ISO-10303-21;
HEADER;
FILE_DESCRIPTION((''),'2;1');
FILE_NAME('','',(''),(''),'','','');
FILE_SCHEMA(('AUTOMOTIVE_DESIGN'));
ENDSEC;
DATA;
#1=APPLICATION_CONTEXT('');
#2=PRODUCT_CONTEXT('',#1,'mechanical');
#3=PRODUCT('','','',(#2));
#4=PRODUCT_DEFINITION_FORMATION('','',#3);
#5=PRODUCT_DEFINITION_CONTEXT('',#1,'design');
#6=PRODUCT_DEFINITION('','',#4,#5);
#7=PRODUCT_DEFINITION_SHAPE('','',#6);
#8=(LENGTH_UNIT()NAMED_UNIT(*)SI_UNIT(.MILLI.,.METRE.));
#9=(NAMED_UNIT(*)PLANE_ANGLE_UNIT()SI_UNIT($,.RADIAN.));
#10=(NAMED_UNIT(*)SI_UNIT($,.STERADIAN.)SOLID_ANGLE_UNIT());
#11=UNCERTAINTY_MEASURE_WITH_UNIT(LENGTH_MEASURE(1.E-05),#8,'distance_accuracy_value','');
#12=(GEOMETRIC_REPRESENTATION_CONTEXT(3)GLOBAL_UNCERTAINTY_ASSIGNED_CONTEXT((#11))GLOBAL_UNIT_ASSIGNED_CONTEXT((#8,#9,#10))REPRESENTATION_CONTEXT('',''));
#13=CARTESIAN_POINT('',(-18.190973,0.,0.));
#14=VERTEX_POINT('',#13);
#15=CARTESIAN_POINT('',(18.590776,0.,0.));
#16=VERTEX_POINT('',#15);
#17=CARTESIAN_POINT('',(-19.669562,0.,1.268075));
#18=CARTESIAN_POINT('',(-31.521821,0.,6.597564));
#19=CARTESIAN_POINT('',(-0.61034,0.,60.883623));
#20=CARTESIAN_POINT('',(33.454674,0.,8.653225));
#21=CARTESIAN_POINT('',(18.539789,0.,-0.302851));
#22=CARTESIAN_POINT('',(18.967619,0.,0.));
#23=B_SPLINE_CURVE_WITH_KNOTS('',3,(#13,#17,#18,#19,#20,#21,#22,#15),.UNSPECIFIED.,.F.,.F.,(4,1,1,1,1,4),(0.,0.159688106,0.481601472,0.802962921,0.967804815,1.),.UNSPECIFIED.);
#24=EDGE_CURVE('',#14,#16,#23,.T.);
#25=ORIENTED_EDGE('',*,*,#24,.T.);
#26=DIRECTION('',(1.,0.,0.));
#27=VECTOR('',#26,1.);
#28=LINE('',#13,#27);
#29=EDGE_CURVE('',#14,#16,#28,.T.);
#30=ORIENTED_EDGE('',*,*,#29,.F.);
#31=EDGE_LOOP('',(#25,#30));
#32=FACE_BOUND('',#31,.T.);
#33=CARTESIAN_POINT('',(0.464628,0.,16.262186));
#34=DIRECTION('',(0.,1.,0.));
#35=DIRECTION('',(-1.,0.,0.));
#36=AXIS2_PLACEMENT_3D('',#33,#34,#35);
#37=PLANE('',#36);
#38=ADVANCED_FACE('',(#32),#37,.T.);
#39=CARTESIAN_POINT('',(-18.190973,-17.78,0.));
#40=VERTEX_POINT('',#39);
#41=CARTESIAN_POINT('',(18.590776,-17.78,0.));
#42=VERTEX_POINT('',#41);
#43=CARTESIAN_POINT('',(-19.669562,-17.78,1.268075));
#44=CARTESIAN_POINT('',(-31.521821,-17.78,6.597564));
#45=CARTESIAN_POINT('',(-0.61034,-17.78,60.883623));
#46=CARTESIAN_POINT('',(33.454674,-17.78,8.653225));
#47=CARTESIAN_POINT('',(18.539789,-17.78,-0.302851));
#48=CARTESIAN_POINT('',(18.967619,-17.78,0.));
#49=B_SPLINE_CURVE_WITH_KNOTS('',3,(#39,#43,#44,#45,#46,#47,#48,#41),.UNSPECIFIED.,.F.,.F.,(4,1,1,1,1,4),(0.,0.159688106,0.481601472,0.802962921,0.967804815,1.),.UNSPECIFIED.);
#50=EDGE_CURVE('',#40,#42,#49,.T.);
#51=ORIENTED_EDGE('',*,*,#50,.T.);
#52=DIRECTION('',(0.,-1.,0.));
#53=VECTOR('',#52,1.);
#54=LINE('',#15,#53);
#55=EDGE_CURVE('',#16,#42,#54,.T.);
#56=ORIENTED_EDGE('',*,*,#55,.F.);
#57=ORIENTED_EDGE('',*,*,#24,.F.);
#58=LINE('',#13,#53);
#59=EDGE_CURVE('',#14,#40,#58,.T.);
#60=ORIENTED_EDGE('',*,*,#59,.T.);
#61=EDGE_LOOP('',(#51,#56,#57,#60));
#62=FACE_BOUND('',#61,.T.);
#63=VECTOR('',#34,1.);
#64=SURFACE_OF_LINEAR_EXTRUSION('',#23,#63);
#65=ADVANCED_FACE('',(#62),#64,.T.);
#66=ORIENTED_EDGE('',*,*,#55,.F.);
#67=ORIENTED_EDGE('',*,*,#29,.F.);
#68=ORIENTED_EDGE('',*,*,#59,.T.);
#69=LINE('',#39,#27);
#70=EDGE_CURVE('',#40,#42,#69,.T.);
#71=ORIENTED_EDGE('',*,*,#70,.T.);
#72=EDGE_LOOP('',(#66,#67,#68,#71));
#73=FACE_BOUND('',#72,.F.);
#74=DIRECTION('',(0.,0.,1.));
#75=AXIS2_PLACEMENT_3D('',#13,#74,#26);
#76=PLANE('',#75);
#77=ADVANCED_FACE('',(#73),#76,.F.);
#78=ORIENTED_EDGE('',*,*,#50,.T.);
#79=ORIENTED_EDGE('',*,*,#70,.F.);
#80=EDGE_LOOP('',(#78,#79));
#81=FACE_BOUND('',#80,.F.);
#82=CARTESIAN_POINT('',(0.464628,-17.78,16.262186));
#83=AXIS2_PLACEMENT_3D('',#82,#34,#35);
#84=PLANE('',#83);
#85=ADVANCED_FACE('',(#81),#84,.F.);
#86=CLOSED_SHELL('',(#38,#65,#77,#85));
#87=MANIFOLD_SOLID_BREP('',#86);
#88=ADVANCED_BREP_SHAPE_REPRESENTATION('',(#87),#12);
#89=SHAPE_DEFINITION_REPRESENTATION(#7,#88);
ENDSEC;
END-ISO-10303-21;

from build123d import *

# Parameters (mm, degrees)
F1_DEPTH = 17.78


with BuildPart() as f1:
    # F0 (on Front) → F1 (new body)
    with BuildSketch(Plane.XZ):
        with BuildLine():
            add(Edge.make_bspline(
                [(-18.190972507, 0), (-19.6695615973, 1.2680748591), (-31.521820562, 6.5975638592), (-0.61033995, 60.8836229472), (33.4546738172, 8.653225058), (18.5397888265, -0.3028513884), (18.9676186822, 0), (18.5907762498, 0)],
                knots=[0, 0, 0, 0, 0.1596881055, 0.4816014716, 0.8029629211, 0.967804815, 1, 1, 1, 1], degree=3))
            Line((-18.190972507, 0), (18.5907762498, 0))
        make_face()
    extrude(amount=F1_DEPTH)


solid = f1.part
